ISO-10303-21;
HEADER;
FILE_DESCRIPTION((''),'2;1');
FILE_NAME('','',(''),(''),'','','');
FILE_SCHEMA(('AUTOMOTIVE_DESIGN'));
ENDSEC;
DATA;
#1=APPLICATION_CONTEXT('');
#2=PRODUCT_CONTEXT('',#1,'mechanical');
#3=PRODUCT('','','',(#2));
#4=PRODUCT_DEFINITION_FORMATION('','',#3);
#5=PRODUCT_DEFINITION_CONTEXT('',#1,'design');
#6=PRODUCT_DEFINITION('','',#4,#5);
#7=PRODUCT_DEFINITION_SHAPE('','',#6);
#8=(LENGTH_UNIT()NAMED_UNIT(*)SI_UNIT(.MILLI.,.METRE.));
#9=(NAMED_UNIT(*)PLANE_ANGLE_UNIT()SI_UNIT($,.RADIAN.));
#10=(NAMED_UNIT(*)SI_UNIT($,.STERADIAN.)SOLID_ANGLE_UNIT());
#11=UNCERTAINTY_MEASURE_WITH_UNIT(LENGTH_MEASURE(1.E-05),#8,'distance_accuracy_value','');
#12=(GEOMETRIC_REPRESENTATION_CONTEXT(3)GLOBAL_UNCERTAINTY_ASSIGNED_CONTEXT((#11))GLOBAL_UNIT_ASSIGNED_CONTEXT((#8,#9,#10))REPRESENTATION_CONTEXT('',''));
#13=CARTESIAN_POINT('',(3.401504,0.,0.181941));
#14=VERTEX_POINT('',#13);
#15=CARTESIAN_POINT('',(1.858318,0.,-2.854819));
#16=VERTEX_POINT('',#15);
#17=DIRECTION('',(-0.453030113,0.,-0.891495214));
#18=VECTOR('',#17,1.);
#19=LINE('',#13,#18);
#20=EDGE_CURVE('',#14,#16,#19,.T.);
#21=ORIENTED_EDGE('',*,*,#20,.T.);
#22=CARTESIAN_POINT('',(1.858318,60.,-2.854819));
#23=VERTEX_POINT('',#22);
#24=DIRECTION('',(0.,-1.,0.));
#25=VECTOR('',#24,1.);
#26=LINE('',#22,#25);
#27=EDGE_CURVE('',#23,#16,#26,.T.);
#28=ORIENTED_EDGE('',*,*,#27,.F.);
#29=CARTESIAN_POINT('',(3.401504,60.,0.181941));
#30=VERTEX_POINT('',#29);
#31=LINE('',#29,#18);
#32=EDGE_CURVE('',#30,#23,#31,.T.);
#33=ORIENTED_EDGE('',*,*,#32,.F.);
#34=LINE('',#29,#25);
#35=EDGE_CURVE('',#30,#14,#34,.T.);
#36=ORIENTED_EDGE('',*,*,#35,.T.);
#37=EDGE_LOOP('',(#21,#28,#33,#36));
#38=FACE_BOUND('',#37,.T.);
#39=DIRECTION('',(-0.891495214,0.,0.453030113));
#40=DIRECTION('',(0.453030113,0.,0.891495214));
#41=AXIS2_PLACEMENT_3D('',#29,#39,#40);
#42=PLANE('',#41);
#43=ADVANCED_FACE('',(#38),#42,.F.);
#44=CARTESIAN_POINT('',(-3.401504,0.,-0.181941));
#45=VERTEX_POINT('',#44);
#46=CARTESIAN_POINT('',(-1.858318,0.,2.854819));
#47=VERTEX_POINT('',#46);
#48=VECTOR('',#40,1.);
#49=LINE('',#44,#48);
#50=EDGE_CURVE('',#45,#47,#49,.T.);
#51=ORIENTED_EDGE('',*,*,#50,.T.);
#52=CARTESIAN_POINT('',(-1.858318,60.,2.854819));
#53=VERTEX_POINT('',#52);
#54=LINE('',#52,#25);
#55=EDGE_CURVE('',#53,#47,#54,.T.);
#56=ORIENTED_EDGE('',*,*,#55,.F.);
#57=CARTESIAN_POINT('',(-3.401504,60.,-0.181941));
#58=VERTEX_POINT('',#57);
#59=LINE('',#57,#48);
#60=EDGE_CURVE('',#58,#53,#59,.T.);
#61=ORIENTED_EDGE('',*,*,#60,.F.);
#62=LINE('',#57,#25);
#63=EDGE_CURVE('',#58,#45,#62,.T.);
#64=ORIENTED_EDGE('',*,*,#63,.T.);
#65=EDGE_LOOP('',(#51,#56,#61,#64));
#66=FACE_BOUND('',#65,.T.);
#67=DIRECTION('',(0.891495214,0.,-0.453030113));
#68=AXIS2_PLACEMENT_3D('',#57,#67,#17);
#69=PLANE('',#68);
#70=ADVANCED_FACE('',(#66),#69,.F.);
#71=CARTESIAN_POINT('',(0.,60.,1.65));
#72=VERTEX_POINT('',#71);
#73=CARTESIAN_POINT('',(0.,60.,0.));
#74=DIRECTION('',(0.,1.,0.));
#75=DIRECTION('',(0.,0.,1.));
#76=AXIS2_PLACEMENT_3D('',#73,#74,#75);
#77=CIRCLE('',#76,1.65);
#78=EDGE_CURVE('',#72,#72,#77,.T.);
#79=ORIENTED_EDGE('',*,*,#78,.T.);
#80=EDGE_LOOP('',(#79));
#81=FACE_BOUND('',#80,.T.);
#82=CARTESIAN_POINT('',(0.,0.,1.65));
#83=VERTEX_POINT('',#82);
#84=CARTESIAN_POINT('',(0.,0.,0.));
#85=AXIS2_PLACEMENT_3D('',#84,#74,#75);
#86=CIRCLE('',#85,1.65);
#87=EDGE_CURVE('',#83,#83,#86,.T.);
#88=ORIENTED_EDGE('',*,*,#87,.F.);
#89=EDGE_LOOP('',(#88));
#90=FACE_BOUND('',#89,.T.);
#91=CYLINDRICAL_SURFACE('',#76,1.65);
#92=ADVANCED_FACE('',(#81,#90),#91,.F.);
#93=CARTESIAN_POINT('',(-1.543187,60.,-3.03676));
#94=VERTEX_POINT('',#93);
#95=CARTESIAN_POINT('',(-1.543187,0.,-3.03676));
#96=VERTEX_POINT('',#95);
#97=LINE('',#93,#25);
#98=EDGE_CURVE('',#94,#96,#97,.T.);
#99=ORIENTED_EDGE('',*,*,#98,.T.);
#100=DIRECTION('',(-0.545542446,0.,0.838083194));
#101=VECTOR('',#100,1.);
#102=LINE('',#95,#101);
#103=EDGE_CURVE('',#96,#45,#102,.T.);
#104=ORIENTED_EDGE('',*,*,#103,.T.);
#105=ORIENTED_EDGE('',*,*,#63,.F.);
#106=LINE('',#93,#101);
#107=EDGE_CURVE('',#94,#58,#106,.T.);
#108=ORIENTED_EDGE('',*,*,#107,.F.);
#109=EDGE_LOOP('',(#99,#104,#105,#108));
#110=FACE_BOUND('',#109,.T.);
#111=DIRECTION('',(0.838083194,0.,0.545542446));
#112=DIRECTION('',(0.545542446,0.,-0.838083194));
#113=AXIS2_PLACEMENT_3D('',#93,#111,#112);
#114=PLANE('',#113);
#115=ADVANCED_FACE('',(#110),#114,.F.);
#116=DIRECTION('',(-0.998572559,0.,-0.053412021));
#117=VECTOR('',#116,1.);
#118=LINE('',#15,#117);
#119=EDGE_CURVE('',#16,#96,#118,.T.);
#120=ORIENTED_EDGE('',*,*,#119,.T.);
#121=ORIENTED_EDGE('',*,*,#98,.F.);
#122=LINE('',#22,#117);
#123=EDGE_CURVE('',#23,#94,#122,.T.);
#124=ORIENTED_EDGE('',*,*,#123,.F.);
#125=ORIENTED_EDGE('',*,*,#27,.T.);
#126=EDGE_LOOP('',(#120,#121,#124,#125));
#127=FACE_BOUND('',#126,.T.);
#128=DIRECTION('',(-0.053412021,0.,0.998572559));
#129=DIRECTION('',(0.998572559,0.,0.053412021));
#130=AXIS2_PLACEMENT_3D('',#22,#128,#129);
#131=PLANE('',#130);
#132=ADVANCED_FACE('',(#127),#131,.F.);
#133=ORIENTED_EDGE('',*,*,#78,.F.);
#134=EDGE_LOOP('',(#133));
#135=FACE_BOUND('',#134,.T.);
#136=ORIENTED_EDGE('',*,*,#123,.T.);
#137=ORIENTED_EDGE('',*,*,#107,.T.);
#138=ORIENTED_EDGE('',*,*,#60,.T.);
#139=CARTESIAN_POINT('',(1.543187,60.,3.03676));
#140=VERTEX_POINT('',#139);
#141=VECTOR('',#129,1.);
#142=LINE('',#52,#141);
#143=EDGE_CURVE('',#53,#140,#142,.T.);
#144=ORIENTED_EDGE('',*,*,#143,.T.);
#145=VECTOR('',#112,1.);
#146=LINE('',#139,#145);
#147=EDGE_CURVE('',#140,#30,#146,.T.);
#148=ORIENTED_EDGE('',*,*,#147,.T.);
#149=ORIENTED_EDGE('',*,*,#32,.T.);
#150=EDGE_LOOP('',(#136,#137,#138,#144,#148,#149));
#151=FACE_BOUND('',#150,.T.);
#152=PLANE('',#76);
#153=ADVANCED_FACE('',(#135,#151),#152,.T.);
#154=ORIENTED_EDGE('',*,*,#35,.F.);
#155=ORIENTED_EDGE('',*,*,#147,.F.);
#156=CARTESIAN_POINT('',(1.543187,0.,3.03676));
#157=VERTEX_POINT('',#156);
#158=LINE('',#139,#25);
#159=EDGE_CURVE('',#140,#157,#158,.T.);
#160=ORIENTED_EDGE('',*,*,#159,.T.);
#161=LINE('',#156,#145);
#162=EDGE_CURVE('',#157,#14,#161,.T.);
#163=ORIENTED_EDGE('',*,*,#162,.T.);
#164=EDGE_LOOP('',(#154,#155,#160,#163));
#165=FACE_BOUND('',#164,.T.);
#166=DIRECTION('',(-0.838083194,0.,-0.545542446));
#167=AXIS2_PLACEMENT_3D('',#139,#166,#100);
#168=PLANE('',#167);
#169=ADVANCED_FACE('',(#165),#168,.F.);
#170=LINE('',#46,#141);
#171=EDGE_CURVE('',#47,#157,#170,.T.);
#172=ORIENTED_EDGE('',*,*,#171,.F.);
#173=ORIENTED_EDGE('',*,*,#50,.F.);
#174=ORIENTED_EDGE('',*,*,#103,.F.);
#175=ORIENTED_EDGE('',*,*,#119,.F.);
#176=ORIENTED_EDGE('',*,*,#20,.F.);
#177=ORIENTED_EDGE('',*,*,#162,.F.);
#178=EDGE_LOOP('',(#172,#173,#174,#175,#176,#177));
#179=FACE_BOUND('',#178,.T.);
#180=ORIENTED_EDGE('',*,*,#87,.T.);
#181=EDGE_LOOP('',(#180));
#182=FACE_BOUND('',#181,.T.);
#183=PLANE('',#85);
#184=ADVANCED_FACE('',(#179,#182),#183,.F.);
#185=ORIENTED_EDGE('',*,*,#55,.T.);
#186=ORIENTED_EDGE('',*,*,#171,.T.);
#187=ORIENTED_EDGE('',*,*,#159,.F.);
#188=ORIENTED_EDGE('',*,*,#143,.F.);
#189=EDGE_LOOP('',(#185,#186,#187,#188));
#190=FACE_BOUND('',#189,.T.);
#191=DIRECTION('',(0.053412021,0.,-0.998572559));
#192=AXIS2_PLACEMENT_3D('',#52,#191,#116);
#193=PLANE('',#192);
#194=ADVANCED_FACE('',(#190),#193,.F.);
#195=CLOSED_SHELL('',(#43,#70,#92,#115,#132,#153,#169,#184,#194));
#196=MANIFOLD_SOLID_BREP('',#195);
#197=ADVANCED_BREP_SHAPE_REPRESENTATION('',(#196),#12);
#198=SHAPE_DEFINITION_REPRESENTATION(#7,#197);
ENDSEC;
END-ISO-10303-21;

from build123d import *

# Parameters (mm, degrees)
EXTRUDE_1_DEPTH    = 60
HOLE_WIZARD_M4_1_D = 3.3


with BuildPart() as part:
    # 草图1 → 凸台-拉伸1 (new body)
    with BuildSketch(Plane(origin=(0, 0, 0), x_dir=(1, 0, 0), z_dir=(0, 1, 0))):
        Polygon((3.401504202, -0.181940922), (1.858317562, 2.854818589), (-1.54318664, 3.036759511), (-3.401504202, 0.181940922), (-1.858317562, -2.854818589), (1.54318664, -3.036759511), align=None)
    extrude(amount=EXTRUDE_1_DEPTH)

    # M4 螺纹孔1 (through all)
    with Locations(Plane(origin=(0, 60, 0), x_dir=(1, 0, 0), z_dir=(0, 1, 0))):
        with Locations((0, 0)):
            Hole(HOLE_WIZARD_M4_1_D / 2)


solid = part.part
